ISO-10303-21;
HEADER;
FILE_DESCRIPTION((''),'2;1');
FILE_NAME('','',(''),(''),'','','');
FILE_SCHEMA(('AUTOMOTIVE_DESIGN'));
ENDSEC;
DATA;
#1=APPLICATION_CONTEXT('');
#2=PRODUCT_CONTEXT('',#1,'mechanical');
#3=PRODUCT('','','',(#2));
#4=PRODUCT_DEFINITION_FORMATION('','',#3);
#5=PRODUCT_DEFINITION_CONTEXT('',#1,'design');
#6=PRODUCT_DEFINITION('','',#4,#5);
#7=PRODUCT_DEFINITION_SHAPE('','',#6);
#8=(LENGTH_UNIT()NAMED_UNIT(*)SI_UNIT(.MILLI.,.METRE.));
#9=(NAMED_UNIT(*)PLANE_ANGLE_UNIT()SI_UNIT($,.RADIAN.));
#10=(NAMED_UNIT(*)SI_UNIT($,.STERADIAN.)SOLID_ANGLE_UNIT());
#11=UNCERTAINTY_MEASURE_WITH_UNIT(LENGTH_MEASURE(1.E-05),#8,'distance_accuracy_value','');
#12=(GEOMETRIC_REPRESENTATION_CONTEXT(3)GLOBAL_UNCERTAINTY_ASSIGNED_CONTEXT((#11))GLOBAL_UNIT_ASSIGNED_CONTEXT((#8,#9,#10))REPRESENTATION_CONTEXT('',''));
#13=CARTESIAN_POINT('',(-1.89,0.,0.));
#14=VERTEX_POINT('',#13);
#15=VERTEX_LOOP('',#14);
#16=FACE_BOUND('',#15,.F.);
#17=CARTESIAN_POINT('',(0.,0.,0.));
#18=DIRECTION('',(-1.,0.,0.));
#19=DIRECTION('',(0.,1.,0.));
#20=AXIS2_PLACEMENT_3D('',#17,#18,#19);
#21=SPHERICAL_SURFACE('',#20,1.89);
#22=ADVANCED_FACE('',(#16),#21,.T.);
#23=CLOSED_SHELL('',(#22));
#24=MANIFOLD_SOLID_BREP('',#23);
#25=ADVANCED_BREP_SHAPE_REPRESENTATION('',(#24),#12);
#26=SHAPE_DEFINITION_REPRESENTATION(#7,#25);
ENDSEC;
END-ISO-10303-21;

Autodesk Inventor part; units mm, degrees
sketch "Sketch_1" plane through (0, 0, 0) normal (0, 0, 1) x (1, 0, 0)
  line L0 (1.89, 0) -> (-1.89, 0)
  arc A0 (1.89, 0) -> (-1.89, 0) centre (0, 0) ccw
  line L1 (1.89, 0) -> (-1.89, 0)
revolve "Revolution1" add sketch "Sketch_1" angle 360 about axis through (1.89, 0, 0) along (1, 0, 0)
ref_plane "Ball_OR_XY" through (0, 0, 0) normal (1, 0, 0) x (0, 0, -1)
ref_plane "Ball_OR_YZ" through (0, 0, 0) normal (0, 0, -1) x (0, 1, 0)
ref_plane "Ball_OR_ZX" through (0, 0, 0) normal (0, 1, 0) x (1, 0, 0)
properties part number "040400DR-22-H4W(0_5)3_ball_CPY"
